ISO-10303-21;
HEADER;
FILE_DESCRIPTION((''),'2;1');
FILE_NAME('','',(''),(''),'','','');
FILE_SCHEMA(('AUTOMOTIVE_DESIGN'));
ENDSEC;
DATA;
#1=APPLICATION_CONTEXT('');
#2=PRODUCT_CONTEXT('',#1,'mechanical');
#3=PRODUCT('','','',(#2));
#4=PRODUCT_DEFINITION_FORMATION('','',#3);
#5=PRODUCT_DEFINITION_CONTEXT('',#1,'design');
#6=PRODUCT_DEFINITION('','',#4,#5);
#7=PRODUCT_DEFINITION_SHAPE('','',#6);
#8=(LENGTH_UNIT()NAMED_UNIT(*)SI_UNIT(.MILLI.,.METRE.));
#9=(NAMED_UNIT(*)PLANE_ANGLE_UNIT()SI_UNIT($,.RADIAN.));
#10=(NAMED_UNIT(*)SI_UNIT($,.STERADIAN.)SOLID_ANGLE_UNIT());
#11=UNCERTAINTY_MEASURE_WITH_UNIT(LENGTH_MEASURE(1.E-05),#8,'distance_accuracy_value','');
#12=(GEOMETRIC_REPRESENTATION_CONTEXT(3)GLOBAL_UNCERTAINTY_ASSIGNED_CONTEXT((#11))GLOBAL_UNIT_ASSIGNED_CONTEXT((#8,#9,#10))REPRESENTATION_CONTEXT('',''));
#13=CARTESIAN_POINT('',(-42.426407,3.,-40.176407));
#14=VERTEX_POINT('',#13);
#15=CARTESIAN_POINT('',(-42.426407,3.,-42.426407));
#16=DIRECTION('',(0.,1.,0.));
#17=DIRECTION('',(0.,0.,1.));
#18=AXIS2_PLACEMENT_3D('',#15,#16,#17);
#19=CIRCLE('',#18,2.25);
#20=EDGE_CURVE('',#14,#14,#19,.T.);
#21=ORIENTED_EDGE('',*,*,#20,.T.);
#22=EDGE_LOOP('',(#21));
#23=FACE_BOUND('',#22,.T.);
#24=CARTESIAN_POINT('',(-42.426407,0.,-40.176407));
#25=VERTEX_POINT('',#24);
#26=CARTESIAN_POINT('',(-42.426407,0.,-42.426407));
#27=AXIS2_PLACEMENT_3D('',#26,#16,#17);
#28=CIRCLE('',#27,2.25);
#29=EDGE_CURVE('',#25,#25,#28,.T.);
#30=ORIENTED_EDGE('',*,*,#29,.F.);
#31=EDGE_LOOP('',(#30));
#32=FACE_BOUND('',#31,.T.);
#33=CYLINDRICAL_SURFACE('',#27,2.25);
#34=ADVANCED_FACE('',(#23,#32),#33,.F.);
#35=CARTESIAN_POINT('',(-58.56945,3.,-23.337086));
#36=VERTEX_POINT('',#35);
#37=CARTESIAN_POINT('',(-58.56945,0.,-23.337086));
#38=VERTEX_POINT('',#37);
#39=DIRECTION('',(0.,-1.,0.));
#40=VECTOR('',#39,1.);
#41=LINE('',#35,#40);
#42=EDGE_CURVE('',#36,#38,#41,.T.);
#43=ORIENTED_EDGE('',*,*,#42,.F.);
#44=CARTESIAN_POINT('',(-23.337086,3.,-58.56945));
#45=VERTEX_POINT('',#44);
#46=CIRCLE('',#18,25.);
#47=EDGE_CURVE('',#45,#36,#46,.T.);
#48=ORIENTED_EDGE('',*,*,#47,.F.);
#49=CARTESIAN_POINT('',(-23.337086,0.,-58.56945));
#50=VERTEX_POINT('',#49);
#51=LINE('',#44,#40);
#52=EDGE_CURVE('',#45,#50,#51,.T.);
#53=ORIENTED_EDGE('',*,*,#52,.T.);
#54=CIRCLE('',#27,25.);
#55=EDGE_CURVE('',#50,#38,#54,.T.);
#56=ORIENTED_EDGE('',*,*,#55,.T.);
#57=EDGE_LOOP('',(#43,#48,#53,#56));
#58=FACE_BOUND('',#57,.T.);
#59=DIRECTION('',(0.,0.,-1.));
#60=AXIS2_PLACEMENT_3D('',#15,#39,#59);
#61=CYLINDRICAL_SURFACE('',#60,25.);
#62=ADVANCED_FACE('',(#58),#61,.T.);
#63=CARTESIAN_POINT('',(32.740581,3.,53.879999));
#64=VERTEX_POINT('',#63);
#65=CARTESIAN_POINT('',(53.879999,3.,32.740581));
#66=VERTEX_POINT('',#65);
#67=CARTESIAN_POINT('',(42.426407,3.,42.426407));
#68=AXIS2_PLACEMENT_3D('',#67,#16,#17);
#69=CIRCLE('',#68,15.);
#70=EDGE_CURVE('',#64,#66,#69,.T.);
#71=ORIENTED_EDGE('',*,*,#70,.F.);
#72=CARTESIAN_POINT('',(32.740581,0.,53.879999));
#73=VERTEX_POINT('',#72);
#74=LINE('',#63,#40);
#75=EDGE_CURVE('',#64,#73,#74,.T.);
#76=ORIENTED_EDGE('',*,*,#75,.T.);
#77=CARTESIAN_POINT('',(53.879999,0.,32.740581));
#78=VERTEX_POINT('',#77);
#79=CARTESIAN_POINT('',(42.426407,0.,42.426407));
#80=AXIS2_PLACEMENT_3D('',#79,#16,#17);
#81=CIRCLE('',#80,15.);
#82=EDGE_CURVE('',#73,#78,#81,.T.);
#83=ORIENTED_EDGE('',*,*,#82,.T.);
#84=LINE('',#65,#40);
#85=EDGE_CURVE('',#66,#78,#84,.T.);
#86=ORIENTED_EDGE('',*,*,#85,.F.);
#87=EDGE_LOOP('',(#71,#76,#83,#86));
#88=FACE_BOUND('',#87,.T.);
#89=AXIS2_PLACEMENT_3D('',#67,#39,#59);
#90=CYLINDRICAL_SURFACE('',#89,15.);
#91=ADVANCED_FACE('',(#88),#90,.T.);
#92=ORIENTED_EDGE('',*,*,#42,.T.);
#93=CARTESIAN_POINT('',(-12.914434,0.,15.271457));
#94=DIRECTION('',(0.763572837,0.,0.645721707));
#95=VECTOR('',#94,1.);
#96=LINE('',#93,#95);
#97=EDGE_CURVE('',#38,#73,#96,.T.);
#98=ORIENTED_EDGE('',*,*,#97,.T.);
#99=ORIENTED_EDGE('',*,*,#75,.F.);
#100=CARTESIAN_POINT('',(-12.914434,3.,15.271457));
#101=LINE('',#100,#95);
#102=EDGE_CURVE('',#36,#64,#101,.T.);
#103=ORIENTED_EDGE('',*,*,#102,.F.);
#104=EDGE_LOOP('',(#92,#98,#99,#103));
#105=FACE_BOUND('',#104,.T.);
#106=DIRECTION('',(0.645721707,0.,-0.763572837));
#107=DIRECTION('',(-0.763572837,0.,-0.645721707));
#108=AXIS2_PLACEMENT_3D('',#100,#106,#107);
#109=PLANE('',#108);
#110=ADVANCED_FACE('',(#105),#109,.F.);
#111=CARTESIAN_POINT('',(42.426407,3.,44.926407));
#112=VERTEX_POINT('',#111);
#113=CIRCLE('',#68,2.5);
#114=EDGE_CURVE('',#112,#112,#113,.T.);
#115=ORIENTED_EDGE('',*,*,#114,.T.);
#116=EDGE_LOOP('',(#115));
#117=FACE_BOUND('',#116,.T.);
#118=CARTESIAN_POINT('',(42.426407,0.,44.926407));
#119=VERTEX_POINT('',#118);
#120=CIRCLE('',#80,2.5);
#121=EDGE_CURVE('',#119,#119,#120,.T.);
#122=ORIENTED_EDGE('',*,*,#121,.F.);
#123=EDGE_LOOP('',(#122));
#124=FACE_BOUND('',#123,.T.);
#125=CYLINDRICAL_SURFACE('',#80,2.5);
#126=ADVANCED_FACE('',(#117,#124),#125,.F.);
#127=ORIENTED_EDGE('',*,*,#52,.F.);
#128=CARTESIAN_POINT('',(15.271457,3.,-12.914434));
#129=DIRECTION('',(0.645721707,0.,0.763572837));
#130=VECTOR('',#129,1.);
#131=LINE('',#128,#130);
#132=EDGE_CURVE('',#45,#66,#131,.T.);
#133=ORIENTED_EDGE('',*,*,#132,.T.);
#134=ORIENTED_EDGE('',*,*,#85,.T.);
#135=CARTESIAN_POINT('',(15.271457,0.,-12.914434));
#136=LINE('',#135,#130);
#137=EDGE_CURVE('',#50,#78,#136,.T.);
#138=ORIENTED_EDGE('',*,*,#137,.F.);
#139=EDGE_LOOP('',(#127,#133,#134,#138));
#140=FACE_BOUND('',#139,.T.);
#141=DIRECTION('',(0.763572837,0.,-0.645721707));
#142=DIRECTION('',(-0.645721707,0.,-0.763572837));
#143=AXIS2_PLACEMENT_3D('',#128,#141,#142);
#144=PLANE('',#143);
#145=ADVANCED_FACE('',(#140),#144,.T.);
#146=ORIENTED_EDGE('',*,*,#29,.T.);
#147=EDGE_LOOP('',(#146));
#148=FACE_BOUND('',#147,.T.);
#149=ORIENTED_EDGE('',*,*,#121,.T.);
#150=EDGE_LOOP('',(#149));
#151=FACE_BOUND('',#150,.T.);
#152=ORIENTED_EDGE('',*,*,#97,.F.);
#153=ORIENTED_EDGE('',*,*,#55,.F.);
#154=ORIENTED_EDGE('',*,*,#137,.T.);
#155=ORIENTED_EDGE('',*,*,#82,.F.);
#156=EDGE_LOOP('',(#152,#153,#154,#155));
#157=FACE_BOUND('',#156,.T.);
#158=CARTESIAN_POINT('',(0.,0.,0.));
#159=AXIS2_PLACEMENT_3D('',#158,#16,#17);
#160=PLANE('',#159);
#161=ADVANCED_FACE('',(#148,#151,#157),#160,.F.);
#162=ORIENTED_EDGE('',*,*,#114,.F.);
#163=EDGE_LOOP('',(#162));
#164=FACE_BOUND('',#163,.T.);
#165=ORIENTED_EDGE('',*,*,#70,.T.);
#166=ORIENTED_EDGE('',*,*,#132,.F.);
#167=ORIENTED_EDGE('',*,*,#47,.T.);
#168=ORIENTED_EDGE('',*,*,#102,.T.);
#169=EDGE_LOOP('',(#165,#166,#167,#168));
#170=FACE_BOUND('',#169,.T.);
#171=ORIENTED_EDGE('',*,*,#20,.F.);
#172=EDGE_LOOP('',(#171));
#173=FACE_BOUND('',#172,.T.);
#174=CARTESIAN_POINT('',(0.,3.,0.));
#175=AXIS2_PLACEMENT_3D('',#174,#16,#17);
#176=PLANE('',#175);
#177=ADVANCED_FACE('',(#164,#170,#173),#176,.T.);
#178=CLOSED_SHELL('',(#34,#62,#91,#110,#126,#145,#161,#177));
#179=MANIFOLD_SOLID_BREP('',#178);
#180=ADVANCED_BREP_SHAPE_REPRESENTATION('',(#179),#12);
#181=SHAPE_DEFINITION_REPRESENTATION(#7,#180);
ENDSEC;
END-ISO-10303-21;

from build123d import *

# Parameters (mm, degrees)
EXTRUDE_2_DEPTH     = 3
SKETCH_4_R          = 2.25
SKETCH_4_R_2        = 2.5
CUT_EXTRUDE_2_DEPTH = 96.402519291


with BuildPart() as part:
    # 草图2 → 凸台-拉伸2 (new body)
    with BuildSketch(Plane(origin=(0, 0, 0), x_dir=(1, 0, 0), z_dir=(0, 1, 0))):
        with BuildLine():
            Line((-58.569449541, 23.337085947), (32.740581269, -53.879999426))
            ThreePointArc((32.740581269, -53.879999426), (53.033008589, -53.033008589), (53.879999426, -32.740581269))
            Line((53.879999426, -32.740581269), (-23.337085947, 58.569449541))
            ThreePointArc((-23.337085947, 58.569449541), (-60.104076401, 60.104076401), (-58.569449541, 23.337085947))
        make_face()
    extrude(amount=EXTRUDE_2_DEPTH)

    # 草图4 → 切除-拉伸2 (cut, through all)
    with BuildSketch(Plane(origin=(0, 3, 0), x_dir=(1, 0, 0), z_dir=(0, 1, 0))):
        with Locations(Location((-42.426406871, 42.426406871, 0), (0, 0, 270))):
            Circle(SKETCH_4_R)
        with Locations(Location((42.426406871, -42.426406871, 0), (0, 0, 270))):
            Circle(SKETCH_4_R_2)
    extrude(amount=-CUT_EXTRUDE_2_DEPTH, mode=Mode.SUBTRACT)


solid = part.part
